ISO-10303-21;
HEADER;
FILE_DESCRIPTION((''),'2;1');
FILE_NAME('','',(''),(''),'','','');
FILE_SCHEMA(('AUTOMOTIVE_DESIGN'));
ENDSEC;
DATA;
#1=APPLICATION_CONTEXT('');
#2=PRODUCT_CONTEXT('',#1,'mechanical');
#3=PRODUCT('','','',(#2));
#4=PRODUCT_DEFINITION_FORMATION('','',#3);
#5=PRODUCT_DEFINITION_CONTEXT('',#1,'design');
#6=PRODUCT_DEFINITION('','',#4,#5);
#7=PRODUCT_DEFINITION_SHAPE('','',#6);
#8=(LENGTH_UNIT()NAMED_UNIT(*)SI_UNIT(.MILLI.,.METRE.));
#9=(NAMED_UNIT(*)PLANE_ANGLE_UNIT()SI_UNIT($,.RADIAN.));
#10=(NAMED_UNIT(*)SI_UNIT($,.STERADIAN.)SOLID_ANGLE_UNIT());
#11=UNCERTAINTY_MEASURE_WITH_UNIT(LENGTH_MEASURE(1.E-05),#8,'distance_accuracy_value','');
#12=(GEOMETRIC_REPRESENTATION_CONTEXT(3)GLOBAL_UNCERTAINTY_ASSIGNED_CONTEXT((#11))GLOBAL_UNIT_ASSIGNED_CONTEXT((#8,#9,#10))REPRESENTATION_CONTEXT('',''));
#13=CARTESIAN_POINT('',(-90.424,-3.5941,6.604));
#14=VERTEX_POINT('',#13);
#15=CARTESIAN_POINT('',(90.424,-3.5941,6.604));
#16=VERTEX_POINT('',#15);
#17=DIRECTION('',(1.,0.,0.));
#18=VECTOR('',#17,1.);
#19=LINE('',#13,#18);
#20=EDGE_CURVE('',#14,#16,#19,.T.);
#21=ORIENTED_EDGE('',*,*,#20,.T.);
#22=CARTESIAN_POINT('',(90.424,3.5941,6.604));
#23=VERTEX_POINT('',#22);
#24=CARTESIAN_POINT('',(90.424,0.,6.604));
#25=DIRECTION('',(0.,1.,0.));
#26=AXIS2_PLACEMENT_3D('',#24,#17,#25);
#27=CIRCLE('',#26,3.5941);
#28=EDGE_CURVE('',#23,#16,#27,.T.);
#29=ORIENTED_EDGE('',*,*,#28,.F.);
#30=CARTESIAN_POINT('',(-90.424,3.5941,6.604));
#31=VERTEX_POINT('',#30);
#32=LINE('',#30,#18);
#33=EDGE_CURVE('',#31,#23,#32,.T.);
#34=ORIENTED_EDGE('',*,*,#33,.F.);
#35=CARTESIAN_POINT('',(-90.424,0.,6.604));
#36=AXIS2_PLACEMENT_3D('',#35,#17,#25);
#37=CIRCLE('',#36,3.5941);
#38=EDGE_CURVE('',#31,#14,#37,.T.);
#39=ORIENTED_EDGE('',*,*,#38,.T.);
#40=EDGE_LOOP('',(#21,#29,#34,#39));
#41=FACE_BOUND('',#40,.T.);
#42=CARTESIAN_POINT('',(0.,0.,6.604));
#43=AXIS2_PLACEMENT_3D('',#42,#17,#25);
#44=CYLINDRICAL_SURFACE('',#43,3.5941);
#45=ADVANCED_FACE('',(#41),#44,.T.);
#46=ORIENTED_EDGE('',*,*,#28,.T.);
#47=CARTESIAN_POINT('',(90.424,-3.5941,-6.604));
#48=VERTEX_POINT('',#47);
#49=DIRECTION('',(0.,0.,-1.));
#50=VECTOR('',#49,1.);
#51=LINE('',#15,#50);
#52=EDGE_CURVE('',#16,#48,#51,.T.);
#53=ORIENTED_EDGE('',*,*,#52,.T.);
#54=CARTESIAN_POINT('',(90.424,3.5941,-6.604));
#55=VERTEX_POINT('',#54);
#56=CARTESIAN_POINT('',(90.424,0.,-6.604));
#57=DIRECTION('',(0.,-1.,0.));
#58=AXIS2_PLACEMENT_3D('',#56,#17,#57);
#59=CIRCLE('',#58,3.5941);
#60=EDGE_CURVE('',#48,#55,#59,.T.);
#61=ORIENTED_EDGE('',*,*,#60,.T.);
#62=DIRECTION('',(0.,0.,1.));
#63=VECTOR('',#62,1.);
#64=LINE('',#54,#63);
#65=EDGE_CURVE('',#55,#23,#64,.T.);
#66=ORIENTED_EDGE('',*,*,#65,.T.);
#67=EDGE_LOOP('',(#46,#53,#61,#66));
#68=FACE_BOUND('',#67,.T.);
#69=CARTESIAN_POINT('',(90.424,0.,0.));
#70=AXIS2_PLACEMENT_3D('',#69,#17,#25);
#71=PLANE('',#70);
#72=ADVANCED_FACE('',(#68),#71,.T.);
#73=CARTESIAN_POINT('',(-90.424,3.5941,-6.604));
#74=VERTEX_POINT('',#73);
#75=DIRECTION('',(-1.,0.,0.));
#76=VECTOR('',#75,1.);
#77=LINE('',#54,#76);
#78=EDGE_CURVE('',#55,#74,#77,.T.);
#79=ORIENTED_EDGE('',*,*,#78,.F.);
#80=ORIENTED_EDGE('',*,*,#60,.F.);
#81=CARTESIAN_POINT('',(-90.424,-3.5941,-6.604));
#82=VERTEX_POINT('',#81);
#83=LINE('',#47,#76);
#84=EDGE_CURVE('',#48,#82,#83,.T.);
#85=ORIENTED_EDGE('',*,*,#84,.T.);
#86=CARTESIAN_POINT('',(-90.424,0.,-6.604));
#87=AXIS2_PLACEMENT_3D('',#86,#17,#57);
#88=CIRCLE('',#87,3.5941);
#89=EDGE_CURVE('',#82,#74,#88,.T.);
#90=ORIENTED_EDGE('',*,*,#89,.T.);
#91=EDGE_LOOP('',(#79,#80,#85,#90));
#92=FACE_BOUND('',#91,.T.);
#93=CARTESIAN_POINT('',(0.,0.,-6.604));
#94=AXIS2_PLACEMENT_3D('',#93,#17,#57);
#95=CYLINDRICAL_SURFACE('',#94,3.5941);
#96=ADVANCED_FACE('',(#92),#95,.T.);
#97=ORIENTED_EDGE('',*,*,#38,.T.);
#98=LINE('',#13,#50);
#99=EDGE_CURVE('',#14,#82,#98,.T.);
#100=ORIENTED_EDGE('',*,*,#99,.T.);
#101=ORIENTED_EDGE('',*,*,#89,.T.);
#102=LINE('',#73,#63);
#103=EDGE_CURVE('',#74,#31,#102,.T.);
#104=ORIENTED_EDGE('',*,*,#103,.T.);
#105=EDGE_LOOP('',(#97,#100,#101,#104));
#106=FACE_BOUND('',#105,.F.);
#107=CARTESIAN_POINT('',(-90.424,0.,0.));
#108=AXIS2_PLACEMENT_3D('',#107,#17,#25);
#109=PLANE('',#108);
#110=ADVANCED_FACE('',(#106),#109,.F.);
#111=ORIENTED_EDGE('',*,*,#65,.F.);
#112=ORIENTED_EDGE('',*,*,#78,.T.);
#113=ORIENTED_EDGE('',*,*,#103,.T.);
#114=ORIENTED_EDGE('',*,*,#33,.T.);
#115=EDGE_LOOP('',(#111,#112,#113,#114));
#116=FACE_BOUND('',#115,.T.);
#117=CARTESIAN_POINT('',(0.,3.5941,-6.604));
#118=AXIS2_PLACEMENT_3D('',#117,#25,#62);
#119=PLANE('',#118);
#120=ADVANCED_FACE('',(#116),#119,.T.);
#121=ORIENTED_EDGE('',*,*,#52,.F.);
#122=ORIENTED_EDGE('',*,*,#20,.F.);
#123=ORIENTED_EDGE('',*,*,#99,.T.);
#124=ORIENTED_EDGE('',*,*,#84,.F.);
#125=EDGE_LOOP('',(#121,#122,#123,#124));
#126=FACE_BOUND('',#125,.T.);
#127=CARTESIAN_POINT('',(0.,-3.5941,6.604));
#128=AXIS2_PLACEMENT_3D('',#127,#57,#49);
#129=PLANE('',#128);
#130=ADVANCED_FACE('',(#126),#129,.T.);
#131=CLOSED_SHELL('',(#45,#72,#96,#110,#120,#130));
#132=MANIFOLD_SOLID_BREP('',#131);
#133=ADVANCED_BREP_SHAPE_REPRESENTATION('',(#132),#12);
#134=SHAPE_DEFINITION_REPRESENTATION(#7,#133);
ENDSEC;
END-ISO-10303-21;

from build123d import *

# Parameters (mm, degrees)
F1_DEPTH = 90.424


with BuildPart() as f1:
    # F0 (on Right) → F1 (new body, symmetric)
    with BuildSketch(Plane.YZ):
        with BuildLine():
            Line((3.5941, -6.604), (3.5941, 6.604))
            ThreePointArc((3.5941, 6.604), (0, 10.1981), (-3.5941, 6.604))
            Line((-3.5941, 6.604), (-3.5941, -6.604))
            ThreePointArc((-3.5941, -6.604), (0, -10.1981), (3.5941, -6.604))
        make_face()
    extrude(amount=F1_DEPTH, both=True)


solid = f1.part
